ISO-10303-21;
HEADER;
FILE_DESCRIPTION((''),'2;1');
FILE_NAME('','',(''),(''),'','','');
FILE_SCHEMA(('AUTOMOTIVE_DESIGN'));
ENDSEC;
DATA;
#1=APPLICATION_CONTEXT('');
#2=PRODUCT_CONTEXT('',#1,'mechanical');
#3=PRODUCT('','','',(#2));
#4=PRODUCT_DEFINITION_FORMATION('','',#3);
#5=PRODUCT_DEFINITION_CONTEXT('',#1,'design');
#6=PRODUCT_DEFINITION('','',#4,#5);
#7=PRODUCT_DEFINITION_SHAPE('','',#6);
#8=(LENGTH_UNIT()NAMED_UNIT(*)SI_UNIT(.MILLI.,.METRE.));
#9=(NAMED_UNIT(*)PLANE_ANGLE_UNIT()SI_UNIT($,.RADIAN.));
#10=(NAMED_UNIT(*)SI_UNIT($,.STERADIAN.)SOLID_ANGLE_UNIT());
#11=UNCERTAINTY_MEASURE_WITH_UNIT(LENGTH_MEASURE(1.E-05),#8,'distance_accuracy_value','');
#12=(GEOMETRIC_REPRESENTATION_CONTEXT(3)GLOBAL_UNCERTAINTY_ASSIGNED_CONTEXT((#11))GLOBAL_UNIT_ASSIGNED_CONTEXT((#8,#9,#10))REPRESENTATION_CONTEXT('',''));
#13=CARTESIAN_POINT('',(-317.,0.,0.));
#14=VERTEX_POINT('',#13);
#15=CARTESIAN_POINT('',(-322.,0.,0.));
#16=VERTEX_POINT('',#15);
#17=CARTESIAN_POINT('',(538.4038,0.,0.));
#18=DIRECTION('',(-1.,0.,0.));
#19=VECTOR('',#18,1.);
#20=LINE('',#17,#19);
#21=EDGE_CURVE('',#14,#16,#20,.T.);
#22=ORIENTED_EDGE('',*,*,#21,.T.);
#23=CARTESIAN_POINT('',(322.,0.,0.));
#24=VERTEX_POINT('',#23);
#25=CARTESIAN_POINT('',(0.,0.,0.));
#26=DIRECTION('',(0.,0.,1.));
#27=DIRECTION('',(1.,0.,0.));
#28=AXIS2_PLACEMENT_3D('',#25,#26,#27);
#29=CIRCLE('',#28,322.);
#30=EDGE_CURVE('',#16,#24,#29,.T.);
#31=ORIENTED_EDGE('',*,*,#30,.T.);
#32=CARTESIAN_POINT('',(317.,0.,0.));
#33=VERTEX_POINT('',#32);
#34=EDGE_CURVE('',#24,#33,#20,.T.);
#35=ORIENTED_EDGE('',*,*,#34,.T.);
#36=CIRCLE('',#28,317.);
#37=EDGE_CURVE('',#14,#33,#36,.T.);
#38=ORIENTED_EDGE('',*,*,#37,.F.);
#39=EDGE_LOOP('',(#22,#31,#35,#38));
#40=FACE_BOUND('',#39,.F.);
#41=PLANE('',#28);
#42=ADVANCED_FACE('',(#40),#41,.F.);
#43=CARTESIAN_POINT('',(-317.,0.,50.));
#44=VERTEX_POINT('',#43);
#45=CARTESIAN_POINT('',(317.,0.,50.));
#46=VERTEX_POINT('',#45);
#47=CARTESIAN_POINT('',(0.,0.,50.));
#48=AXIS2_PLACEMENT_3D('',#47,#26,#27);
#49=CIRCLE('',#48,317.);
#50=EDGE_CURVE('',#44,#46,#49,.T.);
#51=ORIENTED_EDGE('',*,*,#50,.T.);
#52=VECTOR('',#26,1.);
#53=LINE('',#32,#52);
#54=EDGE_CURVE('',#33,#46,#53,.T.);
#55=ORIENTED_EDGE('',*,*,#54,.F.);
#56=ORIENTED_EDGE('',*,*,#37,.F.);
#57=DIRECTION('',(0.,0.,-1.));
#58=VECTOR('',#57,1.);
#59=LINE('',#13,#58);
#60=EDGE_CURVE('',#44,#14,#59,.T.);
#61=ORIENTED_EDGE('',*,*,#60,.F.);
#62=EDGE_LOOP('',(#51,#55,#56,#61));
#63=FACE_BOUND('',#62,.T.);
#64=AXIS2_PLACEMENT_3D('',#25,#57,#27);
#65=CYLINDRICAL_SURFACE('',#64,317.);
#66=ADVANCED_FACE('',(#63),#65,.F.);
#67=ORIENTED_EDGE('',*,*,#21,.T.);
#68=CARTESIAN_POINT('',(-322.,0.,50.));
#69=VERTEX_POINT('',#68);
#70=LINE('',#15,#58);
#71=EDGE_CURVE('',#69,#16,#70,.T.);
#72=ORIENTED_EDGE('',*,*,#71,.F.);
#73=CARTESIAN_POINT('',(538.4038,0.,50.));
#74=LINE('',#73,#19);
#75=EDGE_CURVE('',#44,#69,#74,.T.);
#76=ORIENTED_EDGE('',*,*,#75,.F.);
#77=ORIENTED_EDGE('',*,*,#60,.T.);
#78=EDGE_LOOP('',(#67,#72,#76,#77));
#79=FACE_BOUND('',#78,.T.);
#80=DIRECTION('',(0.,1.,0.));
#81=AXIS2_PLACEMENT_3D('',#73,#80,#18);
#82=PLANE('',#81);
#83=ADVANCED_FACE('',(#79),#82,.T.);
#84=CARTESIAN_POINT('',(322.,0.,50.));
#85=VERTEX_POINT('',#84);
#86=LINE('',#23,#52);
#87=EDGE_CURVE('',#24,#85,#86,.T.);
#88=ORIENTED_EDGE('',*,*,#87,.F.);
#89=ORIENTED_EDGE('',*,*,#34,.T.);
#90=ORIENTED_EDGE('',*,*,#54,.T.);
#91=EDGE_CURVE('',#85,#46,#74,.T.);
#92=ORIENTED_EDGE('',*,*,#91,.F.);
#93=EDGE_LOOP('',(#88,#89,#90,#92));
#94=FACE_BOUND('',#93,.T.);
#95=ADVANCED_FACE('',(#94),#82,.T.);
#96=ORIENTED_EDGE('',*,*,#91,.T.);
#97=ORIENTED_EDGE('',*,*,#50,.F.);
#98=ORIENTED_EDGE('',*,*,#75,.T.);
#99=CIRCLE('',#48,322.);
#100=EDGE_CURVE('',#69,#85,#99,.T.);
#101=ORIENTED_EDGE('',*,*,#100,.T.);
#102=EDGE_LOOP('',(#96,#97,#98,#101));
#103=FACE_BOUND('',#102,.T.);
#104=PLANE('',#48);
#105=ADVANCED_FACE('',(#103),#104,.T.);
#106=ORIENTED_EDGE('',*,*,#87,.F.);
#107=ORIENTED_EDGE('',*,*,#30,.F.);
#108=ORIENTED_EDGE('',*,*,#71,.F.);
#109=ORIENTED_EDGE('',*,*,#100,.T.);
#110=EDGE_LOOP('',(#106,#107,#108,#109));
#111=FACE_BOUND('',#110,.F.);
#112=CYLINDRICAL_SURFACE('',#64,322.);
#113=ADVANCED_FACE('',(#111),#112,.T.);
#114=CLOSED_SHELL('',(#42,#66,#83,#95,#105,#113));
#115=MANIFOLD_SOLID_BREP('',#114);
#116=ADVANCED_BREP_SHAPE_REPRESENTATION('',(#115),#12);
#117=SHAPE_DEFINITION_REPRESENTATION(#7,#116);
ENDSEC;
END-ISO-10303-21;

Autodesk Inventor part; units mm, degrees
ref_plane "YZ Plane" through (0, 0, 0) normal (1, 0, 0) x (0, 1, 0)
ref_plane "XZ Plane" through (0, 0, 0) normal (0, 1, 0) x (-1, 0, 0)
ref_plane "XY Plane" through (0, 0, 0) normal (0, 0, 1) x (1, 0, 0)
sketch "草圖1" plane through (0, 0, 0) normal (0, 0, 1) x (1, 0, 0)
  circle A0 centre (0, 0) radius 317
  circle A1 centre (0, 0) radius 322
  dimension "d0" = 634
  dimension "d1" = 644
extrude "擠出1" add sketch "草圖1" along normal blind 50
sketch "草圖2" plane through (0, 0, 50) normal (0, 0, 1) x (1, 0, 0)
  line L0 (-488.5314, 349.6941) -> (538.4038, 349.6941)
  line L1 (538.4038, 349.6941) -> (538.4038, 0)
  line L2 (538.4038, 0) -> (-488.5314, 0)
  line L3 (-488.5314, 0) -> (-488.5314, 349.6941)
  point P0 (0, 0)
  dimension "d4" = 0
extrude "擠出2" cut sketch "草圖2" against normal blind 50
properties part number "鋁底板-半圓"
